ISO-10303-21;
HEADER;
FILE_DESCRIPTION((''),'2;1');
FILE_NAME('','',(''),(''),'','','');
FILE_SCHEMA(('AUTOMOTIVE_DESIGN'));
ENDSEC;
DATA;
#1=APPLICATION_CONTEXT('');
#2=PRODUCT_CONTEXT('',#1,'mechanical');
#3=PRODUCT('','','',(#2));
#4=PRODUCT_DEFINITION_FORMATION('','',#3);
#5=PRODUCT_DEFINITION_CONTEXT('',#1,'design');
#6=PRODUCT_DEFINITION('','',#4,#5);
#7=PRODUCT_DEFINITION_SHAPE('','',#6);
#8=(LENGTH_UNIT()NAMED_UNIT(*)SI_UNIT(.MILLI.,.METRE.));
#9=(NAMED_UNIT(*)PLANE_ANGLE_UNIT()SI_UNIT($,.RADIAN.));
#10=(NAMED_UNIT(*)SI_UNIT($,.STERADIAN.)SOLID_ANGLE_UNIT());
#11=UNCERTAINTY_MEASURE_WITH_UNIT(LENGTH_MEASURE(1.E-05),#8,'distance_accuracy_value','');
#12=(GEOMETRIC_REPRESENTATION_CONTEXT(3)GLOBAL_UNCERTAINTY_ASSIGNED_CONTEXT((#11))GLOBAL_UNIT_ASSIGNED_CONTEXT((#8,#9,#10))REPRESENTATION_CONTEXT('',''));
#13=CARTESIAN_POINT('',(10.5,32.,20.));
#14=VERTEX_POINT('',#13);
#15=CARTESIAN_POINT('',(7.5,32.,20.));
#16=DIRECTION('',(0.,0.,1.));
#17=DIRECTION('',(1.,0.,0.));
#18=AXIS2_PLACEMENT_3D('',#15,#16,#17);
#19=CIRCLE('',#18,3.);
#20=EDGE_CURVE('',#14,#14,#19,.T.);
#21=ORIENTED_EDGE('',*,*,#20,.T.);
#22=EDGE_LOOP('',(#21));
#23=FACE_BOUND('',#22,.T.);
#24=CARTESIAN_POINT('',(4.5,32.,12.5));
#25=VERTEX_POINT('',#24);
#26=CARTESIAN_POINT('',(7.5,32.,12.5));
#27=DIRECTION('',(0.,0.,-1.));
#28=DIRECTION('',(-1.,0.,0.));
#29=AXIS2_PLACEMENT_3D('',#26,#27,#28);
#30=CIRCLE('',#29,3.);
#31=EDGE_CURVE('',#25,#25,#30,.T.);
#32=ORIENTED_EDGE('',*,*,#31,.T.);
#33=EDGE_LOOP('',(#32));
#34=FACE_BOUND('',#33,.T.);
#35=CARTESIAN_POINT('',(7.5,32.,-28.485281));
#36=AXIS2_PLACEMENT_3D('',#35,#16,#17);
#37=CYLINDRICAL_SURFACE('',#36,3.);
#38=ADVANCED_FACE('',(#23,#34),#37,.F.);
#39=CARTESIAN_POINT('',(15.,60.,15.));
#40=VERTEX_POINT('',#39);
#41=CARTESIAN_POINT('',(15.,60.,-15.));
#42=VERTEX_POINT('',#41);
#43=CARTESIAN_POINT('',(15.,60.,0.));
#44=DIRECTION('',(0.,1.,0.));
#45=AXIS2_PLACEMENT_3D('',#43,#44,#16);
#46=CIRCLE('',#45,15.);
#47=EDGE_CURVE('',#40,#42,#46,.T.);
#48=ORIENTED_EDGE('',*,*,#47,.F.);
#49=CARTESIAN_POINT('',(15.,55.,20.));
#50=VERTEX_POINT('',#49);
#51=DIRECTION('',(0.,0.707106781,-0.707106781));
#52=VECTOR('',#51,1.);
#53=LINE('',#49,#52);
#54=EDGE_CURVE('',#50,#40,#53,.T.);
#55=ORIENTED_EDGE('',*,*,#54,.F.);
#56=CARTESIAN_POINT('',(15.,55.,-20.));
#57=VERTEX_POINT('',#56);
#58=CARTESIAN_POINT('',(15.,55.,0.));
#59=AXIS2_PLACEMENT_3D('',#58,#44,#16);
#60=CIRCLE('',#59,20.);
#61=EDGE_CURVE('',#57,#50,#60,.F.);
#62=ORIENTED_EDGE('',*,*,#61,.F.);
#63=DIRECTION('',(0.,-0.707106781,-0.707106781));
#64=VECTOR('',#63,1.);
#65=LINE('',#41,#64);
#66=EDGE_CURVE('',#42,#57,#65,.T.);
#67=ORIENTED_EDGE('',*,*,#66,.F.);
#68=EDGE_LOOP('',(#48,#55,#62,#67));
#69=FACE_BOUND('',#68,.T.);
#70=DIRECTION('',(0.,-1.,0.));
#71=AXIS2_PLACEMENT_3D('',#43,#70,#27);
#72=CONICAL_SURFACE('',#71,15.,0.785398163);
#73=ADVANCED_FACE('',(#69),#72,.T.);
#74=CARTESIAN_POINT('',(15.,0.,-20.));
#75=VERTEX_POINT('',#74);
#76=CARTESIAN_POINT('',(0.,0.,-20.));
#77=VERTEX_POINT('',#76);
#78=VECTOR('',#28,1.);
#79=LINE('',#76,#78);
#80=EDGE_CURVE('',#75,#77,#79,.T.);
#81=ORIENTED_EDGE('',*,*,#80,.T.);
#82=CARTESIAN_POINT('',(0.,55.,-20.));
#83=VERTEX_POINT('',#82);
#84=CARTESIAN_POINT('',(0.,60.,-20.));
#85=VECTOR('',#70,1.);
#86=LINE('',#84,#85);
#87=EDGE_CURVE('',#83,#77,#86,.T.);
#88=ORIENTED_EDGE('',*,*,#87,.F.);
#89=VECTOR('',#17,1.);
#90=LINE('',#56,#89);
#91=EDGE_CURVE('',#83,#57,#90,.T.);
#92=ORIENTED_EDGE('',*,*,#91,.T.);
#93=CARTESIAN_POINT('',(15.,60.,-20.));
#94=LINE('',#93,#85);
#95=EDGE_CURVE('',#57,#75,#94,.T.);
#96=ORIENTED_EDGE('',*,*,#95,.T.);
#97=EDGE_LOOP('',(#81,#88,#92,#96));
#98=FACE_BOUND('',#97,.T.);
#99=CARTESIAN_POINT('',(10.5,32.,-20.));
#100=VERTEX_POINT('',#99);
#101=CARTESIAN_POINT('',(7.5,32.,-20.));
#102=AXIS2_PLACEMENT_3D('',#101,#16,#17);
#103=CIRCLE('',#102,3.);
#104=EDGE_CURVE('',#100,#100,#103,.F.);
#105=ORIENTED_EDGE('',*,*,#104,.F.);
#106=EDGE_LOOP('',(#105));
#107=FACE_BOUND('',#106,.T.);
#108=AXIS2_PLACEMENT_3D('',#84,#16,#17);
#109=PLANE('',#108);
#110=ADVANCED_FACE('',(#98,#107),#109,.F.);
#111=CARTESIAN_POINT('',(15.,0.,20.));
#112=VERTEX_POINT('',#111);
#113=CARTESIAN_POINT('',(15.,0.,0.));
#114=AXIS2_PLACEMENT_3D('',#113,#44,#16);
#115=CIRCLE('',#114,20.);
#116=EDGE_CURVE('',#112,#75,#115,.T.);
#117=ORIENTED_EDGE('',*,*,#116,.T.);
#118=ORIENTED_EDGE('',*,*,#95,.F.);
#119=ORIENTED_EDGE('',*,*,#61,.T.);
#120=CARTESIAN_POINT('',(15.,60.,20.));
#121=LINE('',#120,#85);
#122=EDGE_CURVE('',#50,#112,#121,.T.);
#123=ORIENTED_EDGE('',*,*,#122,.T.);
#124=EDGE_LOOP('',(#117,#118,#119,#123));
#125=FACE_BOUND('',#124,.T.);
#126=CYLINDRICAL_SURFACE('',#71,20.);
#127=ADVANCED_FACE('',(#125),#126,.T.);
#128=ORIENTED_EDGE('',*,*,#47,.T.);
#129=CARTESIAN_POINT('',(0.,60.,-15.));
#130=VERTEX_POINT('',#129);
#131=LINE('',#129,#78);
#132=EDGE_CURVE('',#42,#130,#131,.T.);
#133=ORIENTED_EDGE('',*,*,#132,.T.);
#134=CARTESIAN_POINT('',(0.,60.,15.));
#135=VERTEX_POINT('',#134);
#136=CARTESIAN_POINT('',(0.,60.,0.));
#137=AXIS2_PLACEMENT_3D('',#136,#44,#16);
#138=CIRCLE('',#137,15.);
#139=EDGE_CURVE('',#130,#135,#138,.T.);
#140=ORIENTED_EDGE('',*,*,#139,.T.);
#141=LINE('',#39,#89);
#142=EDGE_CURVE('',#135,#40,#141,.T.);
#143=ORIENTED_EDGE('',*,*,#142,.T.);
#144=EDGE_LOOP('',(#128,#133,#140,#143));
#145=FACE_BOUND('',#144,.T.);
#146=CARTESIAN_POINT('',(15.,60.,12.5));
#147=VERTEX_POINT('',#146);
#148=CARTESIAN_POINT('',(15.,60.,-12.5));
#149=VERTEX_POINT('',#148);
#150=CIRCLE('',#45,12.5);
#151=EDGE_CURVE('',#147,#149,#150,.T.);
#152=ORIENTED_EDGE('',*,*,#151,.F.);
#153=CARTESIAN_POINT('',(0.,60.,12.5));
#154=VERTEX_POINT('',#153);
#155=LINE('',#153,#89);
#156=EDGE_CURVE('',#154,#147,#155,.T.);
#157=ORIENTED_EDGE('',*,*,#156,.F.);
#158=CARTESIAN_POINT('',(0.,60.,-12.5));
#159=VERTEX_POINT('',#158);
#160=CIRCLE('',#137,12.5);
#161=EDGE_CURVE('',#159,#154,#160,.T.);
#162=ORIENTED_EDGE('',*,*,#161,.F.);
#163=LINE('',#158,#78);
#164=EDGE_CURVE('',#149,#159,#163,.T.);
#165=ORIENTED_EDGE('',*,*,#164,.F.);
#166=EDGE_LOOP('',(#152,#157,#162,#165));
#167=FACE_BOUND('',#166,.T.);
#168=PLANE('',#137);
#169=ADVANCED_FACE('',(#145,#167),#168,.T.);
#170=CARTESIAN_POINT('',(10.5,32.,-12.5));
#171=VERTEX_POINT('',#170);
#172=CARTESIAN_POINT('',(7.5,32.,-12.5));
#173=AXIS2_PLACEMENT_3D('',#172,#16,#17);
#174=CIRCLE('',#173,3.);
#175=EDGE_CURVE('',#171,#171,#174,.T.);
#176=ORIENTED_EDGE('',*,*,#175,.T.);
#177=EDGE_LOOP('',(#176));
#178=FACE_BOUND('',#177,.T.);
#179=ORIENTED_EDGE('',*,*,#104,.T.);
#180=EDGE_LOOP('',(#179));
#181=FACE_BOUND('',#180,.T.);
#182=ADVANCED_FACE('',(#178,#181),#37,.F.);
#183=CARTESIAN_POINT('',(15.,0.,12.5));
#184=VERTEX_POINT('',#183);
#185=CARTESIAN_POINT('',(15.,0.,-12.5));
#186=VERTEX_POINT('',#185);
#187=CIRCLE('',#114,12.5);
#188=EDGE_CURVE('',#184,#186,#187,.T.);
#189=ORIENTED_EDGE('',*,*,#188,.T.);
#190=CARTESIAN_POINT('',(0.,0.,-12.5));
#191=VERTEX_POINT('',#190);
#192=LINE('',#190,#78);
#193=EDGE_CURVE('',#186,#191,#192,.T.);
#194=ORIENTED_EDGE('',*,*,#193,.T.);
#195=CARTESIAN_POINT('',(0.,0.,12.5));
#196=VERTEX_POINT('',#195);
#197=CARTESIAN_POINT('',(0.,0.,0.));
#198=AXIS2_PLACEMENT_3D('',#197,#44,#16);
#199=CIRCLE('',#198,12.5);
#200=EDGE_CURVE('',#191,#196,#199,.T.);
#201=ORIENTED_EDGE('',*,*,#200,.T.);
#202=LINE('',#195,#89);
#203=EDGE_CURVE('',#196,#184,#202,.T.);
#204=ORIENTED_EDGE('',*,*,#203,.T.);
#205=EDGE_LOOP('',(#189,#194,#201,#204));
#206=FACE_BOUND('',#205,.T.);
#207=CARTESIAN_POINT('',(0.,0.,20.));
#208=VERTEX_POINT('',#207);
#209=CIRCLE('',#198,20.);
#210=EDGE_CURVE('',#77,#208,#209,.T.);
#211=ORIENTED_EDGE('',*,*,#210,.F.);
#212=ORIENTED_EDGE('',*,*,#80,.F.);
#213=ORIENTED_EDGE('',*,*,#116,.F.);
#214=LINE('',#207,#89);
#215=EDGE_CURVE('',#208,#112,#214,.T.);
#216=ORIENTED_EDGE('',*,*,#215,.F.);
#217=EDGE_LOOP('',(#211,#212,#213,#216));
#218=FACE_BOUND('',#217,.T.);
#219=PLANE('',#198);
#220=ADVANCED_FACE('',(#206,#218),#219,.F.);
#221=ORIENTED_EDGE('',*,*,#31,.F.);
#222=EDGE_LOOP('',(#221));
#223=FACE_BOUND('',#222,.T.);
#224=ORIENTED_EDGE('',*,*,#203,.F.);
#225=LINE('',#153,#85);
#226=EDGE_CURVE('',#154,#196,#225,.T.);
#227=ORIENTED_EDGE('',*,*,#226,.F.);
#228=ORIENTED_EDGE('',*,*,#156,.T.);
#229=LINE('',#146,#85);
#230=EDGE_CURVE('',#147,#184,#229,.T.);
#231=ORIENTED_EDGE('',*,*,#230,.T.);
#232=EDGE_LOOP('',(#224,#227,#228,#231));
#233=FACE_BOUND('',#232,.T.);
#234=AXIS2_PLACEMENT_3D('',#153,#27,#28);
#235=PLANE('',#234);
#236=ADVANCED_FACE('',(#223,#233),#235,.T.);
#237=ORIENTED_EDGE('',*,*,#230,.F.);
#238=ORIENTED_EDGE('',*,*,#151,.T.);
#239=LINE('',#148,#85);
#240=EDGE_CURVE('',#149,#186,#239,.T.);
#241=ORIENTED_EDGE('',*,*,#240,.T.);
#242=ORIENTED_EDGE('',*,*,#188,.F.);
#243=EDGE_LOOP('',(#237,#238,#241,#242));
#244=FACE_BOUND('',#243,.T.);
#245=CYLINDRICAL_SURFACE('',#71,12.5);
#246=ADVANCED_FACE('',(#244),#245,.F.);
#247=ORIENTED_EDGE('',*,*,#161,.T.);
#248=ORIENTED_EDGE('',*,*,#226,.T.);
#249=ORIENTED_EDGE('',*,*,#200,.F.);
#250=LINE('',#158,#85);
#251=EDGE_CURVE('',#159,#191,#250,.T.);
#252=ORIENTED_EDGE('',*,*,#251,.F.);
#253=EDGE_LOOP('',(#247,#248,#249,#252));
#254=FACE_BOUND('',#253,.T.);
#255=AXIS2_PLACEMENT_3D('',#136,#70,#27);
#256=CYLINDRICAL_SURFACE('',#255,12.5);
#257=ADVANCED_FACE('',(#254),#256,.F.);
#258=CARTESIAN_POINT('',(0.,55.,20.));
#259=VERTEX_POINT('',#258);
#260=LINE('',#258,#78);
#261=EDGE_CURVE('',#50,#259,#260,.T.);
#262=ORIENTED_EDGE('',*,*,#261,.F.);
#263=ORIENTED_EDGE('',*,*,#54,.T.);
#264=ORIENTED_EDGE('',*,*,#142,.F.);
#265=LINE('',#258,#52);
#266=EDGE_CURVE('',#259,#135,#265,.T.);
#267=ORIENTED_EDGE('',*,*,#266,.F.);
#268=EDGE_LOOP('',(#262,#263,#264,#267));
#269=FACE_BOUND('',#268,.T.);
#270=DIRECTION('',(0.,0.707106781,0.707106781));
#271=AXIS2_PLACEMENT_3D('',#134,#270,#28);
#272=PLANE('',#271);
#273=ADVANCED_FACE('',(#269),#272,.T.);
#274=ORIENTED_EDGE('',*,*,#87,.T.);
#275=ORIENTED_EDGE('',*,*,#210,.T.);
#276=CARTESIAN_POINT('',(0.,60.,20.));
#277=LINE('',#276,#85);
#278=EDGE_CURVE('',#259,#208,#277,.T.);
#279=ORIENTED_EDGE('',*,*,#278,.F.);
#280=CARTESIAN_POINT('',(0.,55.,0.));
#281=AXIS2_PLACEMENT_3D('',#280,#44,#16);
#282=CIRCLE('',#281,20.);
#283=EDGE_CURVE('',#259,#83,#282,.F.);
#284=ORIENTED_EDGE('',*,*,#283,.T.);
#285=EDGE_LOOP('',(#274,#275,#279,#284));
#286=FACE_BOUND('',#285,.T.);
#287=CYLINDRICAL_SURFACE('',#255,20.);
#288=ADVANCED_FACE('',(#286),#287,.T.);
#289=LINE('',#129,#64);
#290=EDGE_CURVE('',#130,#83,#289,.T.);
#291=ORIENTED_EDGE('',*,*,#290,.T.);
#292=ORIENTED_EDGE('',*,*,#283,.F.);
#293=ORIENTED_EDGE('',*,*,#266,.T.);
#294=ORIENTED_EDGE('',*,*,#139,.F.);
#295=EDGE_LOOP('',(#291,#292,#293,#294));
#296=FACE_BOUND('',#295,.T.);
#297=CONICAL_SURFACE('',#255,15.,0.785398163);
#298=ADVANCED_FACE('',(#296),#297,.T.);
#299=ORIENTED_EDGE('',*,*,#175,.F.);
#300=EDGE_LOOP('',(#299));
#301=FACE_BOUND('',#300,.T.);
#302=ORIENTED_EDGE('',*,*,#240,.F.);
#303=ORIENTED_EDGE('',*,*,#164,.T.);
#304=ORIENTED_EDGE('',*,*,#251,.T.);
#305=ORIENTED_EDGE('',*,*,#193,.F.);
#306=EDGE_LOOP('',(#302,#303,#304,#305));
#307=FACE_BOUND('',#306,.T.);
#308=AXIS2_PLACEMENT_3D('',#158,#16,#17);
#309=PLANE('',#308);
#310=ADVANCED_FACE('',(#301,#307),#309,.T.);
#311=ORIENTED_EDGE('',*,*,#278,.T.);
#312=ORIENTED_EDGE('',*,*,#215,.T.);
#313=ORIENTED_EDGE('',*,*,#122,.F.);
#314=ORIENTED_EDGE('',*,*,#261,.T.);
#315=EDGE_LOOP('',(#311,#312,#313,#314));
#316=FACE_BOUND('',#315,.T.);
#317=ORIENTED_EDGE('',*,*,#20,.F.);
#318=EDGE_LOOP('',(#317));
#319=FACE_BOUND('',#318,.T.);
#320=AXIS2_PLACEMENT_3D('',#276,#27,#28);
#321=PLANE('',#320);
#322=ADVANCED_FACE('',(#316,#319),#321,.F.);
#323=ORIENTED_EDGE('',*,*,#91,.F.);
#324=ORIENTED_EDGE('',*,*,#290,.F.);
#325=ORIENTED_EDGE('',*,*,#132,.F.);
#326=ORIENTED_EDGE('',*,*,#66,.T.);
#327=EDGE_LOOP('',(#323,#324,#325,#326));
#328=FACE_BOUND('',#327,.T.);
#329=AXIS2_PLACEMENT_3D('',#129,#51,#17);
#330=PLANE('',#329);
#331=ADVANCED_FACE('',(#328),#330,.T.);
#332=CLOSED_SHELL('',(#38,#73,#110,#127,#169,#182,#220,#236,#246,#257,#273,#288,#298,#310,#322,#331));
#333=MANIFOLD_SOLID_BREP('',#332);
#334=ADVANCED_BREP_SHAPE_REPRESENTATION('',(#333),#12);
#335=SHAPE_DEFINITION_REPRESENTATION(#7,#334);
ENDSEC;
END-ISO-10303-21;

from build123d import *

# Parameters (mm, degrees)
SALIENTE_EXTRUIR1_DEPTH = 60
CHAFL_N1_SIZE           = 5
CROQUIS2_R              = 3
CORTAR_EXTRUIR1_DEPTH   = 40


with BuildPart() as part:
    # Croquis1 → Saliente-Extruir1 (new body)
    with BuildSketch(Plane(origin=(0, 0, 0), x_dir=(1, 0, 0), z_dir=(0, 1, 0))):
        with BuildLine():
            Line((0, 20), (15, 20))
            ThreePointArc((15, 20), (35, 0), (15, -20))
            Line((15, -20), (0, -20))
            ThreePointArc((0, -20), (-20, 0), (0, 20))
        make_face()
        with BuildLine():
            Line((0, 12.5), (15, 12.5))
            ThreePointArc((15, 12.5), (27.5, 0), (15, -12.5))
            Line((15, -12.5), (0, -12.5))
            ThreePointArc((0, -12.5), (-12.5, 0), (0, 12.5))
        make_face(mode=Mode.SUBTRACT)
    extrude(amount=SALIENTE_EXTRUIR1_DEPTH)

    # Chaflán1
    chafl_n1_edges = [part.edges().sort_by_distance(p)[0] for p in [
        (35, 60, 0),
        (7.5, 60, -20),
        (-20, 60, 0),
        (7.5, 60, 20),
    ]]
    chamfer(chafl_n1_edges, length=CHAFL_N1_SIZE)

    # Croquis2 → Cortar-Extruir1 (cut)
    with BuildSketch(Plane.XY.offset(20)):
        with Locations((7.5, 32)):
            Circle(CROQUIS2_R)
    extrude(amount=-CORTAR_EXTRUIR1_DEPTH, mode=Mode.SUBTRACT)


solid = part.part
